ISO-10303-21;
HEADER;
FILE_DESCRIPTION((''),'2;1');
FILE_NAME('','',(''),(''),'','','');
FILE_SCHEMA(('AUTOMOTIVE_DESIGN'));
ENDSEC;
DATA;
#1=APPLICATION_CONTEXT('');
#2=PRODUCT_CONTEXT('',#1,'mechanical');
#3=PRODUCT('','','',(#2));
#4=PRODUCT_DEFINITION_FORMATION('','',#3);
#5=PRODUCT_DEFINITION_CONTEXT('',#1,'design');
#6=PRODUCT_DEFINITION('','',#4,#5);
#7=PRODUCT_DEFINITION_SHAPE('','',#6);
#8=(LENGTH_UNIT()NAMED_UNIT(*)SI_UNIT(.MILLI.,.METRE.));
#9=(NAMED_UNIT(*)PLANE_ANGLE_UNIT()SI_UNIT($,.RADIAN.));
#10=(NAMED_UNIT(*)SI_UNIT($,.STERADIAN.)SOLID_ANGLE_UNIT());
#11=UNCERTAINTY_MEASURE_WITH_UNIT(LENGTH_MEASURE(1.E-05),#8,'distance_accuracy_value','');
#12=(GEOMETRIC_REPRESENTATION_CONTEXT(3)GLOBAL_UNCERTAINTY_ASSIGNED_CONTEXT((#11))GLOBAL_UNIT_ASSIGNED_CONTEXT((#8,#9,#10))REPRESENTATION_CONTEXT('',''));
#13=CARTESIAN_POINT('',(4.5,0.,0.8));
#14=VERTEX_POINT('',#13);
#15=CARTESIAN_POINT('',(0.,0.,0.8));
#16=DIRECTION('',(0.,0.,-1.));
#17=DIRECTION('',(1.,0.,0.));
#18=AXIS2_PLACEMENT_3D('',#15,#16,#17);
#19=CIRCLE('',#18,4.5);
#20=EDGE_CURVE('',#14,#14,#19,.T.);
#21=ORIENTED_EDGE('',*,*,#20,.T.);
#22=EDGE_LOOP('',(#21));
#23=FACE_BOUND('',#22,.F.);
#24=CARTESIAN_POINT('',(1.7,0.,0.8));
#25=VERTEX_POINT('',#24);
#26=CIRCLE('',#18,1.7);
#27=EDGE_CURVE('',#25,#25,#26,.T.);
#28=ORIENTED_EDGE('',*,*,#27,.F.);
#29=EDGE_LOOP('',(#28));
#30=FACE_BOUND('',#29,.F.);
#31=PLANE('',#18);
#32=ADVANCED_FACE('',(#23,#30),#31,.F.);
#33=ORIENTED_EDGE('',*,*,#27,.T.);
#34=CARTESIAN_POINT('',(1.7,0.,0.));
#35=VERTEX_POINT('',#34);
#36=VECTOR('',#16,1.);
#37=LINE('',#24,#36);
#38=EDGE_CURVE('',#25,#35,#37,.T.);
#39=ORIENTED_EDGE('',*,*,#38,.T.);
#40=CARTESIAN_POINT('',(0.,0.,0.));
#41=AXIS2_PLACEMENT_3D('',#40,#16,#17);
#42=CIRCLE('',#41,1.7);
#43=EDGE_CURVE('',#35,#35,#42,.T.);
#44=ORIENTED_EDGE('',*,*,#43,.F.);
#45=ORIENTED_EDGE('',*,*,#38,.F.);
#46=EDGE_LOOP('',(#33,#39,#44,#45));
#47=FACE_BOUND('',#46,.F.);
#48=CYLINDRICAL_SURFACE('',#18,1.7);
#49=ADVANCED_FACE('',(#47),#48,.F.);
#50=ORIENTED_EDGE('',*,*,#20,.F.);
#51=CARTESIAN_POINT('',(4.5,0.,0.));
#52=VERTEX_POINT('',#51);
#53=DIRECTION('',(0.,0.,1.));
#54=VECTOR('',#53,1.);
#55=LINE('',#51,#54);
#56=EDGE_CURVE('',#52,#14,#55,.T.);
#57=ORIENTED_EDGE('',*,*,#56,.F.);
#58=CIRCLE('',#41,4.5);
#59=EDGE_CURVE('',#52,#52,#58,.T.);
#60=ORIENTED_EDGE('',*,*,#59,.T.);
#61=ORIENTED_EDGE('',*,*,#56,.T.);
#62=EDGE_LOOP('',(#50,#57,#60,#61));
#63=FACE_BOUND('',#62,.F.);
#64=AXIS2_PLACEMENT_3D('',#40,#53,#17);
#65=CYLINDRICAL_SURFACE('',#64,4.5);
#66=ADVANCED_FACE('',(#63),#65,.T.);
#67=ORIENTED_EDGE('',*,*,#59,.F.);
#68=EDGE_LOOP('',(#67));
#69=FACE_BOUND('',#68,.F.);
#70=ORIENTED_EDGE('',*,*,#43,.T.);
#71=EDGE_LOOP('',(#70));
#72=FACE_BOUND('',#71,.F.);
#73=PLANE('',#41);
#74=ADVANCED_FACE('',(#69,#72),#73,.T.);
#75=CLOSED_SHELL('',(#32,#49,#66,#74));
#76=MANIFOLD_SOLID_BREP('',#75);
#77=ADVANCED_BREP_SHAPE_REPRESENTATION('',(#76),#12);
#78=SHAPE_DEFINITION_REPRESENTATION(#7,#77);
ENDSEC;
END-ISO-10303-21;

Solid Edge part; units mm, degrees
sketch "Sketch1" plane through (0, 0, 0) normal (0, -1, 0) x (1, 0, 0)
  line L0 (1.7, 0.8) -> (1.7, 0)
  line L1 (1.7, 0) -> (4.5, 0)
  line L2 (4.5, 0) -> (4.5, 0.8)
  line L3 (4.5, 0.8) -> (1.7, 0.8)
  dimension "D1" = 1.7
  dimension "D2" = 4.5
  dimension "D3" = 0.8
revolve "RevolvedProtrusion1" add sketch "Sketch1" angle 360 about axis through (0, 0, 2) along (0, 0, -1)
properties material "Steel"
